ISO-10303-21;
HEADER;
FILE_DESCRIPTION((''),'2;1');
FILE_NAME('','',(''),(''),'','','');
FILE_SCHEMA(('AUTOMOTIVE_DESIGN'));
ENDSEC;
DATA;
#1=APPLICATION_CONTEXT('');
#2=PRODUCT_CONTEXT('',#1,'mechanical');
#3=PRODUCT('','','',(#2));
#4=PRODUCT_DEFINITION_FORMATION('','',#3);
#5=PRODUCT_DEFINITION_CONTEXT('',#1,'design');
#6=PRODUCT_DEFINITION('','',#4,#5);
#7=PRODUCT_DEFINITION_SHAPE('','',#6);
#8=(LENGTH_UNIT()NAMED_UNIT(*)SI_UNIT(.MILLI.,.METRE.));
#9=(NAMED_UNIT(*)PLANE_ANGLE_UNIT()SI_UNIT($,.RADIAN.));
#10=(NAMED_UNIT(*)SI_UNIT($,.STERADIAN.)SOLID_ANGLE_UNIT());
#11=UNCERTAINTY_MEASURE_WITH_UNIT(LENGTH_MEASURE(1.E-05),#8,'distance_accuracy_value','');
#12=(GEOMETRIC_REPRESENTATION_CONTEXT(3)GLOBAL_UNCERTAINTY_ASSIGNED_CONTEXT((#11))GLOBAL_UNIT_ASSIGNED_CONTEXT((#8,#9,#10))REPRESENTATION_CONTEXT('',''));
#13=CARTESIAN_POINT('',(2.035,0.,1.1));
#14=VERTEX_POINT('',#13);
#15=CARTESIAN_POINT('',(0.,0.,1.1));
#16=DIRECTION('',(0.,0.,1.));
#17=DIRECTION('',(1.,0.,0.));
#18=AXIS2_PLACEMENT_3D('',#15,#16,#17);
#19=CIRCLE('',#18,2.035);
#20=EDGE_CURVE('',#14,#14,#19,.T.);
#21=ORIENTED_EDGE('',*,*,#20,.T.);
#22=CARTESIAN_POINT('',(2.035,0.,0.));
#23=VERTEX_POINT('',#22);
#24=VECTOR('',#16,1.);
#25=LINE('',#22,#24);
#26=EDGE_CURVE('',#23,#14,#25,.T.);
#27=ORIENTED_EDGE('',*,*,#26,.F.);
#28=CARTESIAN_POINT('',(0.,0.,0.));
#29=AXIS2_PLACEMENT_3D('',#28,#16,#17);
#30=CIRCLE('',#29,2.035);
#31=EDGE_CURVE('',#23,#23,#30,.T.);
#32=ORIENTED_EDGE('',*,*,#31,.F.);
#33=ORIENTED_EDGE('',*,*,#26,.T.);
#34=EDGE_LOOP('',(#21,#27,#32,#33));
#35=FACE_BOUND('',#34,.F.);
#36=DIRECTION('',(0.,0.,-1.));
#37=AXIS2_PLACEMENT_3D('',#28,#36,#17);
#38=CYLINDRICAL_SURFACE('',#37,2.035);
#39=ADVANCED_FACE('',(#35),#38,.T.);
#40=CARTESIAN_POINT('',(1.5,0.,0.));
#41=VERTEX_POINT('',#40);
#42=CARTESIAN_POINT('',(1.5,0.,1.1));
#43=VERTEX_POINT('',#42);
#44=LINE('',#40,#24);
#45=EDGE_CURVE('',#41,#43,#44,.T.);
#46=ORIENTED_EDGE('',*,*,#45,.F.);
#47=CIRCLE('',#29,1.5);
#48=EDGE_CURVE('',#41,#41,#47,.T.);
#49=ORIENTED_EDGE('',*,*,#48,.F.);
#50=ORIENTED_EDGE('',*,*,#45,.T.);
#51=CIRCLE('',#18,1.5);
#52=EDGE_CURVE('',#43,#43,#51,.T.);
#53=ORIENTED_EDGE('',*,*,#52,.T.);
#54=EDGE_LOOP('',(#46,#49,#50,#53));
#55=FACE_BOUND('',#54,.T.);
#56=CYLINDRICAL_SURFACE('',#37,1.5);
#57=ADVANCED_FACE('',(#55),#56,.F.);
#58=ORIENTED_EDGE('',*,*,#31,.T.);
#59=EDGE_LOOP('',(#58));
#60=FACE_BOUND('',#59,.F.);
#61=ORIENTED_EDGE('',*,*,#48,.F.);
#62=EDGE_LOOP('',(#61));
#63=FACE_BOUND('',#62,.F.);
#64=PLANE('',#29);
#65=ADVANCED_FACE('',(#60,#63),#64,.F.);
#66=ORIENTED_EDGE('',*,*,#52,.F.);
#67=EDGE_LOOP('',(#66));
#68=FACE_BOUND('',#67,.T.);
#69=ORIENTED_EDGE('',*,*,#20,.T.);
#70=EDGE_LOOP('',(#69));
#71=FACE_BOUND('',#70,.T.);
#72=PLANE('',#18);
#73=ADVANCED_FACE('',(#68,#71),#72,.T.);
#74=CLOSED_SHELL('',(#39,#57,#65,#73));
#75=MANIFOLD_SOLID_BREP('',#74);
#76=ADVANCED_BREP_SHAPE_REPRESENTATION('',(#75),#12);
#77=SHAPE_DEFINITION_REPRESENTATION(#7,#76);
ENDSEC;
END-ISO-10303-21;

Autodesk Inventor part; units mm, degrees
ref_plane "YZ Plane" through (0, 0, 0) normal (1, 0, 0) x (0, 1, 0)
ref_plane "XZ Plane" through (0, 0, 0) normal (0, 1, 0) x (-1, 0, 0)
ref_plane "XY Plane" through (0, 0, 0) normal (0, 0, 1) x (1, 0, 0)
sketch "スケッチ1" plane through (0, 0, 0) normal (0, 0, 1) x (1, 0, 0)
  circle A0 centre (0, 0) radius 2.035
  circle A1 centre (0, 0) radius 1.5
  dimension "d0" = 4.07
  dimension "d1" = 3
extrude "押し出し1" add sketch "スケッチ1" along normal blind 1.1
properties part number "spacer_inwheel"
